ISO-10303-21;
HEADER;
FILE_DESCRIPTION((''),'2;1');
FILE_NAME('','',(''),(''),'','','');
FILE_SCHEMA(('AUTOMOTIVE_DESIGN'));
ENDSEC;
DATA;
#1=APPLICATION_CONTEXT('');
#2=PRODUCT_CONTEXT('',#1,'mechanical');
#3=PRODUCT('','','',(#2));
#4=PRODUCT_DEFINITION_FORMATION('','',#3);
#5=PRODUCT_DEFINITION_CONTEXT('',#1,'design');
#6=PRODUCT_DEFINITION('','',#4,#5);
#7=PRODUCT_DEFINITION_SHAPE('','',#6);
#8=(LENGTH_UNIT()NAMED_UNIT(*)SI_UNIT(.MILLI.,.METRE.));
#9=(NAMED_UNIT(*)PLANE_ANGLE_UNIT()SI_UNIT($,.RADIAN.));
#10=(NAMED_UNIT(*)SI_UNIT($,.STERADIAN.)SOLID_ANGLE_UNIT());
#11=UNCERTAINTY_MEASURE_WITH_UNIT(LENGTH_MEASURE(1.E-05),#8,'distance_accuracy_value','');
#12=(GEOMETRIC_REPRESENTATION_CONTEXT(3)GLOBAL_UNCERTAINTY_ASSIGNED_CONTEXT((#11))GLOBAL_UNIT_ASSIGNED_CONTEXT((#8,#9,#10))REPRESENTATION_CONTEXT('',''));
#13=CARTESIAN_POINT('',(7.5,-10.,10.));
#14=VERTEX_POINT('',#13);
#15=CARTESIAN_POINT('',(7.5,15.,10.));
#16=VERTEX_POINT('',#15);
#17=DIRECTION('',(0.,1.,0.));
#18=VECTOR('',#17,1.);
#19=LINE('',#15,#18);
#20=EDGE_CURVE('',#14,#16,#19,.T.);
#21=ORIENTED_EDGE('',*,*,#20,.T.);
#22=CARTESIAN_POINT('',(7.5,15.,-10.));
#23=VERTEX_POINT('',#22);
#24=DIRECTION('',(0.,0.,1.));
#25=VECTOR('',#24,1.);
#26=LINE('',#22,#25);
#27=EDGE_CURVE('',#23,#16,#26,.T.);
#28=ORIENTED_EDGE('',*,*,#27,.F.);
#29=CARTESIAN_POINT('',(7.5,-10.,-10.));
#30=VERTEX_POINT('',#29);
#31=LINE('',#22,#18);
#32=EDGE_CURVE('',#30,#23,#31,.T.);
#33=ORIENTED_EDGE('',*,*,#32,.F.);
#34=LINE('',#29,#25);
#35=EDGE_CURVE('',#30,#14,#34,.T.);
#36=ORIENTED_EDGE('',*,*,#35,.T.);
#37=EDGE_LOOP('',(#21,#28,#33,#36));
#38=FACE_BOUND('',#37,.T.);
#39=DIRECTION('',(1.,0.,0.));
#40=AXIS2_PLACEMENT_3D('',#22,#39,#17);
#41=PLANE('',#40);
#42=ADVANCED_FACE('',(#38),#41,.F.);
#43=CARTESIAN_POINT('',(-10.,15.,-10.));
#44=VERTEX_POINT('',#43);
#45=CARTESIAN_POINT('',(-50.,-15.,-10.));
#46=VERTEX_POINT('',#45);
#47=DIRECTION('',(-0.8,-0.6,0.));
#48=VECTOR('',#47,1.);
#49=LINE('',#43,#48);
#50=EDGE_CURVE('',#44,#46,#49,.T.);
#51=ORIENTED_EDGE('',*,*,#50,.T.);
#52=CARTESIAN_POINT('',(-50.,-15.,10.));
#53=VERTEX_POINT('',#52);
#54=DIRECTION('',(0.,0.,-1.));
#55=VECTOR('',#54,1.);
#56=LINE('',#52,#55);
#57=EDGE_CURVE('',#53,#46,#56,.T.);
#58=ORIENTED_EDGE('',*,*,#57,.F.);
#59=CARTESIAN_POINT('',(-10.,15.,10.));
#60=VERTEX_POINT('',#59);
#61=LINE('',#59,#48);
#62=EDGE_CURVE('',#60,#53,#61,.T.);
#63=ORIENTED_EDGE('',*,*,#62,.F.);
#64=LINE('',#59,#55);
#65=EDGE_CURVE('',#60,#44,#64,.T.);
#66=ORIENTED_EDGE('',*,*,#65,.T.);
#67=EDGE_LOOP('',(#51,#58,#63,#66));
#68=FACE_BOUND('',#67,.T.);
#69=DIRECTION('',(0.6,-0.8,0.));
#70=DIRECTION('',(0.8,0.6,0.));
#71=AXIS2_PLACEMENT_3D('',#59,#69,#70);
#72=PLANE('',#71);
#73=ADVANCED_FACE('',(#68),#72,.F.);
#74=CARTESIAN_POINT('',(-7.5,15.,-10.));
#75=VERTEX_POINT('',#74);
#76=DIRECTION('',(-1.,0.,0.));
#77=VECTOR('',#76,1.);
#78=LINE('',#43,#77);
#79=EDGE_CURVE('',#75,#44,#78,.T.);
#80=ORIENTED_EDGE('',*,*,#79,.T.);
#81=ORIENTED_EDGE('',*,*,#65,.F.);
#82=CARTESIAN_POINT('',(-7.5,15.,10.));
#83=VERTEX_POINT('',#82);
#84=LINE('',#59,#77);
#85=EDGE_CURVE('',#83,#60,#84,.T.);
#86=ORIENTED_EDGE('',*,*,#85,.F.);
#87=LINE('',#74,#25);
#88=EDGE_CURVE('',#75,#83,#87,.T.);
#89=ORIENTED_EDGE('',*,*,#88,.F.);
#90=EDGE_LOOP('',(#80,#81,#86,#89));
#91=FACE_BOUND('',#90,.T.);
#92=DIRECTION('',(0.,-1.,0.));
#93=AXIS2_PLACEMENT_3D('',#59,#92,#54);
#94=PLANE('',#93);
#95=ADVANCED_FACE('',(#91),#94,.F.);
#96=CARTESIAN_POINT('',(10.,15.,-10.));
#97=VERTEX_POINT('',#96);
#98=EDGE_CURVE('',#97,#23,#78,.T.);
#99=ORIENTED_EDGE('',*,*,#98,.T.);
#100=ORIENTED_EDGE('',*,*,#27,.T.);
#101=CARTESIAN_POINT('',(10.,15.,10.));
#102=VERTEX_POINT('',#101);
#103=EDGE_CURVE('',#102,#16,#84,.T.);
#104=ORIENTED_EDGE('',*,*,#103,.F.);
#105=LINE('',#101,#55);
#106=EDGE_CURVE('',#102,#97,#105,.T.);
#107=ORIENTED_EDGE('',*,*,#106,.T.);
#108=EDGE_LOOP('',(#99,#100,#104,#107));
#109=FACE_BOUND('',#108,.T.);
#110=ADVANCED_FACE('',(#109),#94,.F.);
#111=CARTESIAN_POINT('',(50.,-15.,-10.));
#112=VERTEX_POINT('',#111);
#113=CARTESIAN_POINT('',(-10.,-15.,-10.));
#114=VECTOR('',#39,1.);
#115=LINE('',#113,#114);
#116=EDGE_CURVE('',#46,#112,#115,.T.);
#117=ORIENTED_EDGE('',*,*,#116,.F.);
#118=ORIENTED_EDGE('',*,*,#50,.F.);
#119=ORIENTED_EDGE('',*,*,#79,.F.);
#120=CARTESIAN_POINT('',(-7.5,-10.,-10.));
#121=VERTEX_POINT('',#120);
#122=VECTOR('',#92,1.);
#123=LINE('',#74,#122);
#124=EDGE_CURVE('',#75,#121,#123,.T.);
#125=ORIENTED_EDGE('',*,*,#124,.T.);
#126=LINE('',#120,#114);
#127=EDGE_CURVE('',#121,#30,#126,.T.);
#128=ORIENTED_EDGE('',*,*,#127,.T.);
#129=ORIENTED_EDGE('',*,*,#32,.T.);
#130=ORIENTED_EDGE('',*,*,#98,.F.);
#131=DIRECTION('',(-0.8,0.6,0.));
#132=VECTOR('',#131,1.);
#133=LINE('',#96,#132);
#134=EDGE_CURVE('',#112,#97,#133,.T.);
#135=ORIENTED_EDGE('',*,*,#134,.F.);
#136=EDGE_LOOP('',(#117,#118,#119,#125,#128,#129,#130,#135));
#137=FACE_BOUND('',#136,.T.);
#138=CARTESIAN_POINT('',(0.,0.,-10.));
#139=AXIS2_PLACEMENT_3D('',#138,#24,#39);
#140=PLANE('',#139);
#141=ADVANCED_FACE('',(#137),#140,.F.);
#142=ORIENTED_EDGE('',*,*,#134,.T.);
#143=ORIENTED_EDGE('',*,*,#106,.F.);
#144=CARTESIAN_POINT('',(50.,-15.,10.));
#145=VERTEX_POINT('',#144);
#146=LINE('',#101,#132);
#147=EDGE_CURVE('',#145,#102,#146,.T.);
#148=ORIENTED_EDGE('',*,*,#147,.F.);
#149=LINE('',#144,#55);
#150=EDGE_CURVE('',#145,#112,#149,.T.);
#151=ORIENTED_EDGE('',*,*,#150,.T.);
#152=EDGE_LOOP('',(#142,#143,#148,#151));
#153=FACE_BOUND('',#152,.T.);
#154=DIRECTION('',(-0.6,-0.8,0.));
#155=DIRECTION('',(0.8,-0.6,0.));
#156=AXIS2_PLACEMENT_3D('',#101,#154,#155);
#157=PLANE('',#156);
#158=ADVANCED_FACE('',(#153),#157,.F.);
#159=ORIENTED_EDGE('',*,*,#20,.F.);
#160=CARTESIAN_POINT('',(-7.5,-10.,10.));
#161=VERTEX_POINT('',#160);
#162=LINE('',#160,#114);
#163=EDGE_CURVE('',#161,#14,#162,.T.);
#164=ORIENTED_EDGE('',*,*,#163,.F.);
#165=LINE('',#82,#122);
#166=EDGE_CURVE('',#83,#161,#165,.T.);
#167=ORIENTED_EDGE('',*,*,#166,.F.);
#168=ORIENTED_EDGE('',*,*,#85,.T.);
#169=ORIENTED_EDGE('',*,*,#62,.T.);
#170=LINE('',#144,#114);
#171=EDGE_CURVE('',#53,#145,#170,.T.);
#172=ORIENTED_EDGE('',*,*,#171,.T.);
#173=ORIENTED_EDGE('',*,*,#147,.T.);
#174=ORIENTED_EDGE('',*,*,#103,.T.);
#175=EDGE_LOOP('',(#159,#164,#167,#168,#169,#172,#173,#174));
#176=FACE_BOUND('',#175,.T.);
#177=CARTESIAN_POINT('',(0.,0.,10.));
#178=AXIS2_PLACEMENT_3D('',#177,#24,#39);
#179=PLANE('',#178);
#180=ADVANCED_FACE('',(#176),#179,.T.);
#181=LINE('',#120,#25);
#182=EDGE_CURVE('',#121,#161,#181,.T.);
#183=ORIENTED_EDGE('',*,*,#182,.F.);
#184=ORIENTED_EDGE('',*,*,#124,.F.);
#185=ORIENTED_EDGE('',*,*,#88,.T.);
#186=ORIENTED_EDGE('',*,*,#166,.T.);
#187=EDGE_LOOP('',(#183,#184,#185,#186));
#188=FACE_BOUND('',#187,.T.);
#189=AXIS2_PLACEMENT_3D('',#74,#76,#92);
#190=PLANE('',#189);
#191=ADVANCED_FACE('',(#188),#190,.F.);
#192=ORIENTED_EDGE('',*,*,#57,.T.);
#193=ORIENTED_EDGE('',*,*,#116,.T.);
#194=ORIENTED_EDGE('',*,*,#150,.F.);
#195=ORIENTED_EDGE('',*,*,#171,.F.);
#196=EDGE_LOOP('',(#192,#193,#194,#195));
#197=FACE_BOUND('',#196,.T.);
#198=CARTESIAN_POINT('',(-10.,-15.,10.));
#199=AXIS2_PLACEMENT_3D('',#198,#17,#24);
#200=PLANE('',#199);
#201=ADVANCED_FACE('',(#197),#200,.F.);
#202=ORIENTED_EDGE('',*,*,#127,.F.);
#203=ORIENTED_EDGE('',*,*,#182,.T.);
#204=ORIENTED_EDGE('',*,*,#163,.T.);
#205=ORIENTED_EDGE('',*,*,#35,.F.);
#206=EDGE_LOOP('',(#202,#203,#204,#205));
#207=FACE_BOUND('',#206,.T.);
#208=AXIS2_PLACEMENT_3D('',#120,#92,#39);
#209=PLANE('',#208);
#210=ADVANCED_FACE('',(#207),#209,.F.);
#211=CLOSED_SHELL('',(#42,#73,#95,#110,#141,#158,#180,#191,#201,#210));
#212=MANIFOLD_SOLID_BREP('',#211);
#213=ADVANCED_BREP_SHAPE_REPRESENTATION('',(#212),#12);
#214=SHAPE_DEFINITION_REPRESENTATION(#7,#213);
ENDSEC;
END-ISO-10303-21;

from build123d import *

# Parameters (mm, degrees)
SALIENTE_EXTRUIR1_DEPTH = 10
CROQUIS3_W              = 15
CROQUIS3_H              = 25
CORTAR_EXTRUIR1_DEPTH   = 20


with BuildPart() as part:
    # Croquis2 → Saliente-Extruir1 (new body, symmetric)
    with BuildSketch(Plane.XY):
        Polygon((-10, 15), (-50, -15), (-10, -15), (10, -15), (50, -15), (10, 15), align=None)
    extrude(amount=SALIENTE_EXTRUIR1_DEPTH, both=True)

    # Croquis3 → Cortar-Extruir1 (cut)
    with BuildSketch(Plane.XY.offset(10)):
        with Locations((0, 2.5)):
            Rectangle(CROQUIS3_W, CROQUIS3_H)
    extrude(amount=-CORTAR_EXTRUIR1_DEPTH, mode=Mode.SUBTRACT)


solid = part.part
